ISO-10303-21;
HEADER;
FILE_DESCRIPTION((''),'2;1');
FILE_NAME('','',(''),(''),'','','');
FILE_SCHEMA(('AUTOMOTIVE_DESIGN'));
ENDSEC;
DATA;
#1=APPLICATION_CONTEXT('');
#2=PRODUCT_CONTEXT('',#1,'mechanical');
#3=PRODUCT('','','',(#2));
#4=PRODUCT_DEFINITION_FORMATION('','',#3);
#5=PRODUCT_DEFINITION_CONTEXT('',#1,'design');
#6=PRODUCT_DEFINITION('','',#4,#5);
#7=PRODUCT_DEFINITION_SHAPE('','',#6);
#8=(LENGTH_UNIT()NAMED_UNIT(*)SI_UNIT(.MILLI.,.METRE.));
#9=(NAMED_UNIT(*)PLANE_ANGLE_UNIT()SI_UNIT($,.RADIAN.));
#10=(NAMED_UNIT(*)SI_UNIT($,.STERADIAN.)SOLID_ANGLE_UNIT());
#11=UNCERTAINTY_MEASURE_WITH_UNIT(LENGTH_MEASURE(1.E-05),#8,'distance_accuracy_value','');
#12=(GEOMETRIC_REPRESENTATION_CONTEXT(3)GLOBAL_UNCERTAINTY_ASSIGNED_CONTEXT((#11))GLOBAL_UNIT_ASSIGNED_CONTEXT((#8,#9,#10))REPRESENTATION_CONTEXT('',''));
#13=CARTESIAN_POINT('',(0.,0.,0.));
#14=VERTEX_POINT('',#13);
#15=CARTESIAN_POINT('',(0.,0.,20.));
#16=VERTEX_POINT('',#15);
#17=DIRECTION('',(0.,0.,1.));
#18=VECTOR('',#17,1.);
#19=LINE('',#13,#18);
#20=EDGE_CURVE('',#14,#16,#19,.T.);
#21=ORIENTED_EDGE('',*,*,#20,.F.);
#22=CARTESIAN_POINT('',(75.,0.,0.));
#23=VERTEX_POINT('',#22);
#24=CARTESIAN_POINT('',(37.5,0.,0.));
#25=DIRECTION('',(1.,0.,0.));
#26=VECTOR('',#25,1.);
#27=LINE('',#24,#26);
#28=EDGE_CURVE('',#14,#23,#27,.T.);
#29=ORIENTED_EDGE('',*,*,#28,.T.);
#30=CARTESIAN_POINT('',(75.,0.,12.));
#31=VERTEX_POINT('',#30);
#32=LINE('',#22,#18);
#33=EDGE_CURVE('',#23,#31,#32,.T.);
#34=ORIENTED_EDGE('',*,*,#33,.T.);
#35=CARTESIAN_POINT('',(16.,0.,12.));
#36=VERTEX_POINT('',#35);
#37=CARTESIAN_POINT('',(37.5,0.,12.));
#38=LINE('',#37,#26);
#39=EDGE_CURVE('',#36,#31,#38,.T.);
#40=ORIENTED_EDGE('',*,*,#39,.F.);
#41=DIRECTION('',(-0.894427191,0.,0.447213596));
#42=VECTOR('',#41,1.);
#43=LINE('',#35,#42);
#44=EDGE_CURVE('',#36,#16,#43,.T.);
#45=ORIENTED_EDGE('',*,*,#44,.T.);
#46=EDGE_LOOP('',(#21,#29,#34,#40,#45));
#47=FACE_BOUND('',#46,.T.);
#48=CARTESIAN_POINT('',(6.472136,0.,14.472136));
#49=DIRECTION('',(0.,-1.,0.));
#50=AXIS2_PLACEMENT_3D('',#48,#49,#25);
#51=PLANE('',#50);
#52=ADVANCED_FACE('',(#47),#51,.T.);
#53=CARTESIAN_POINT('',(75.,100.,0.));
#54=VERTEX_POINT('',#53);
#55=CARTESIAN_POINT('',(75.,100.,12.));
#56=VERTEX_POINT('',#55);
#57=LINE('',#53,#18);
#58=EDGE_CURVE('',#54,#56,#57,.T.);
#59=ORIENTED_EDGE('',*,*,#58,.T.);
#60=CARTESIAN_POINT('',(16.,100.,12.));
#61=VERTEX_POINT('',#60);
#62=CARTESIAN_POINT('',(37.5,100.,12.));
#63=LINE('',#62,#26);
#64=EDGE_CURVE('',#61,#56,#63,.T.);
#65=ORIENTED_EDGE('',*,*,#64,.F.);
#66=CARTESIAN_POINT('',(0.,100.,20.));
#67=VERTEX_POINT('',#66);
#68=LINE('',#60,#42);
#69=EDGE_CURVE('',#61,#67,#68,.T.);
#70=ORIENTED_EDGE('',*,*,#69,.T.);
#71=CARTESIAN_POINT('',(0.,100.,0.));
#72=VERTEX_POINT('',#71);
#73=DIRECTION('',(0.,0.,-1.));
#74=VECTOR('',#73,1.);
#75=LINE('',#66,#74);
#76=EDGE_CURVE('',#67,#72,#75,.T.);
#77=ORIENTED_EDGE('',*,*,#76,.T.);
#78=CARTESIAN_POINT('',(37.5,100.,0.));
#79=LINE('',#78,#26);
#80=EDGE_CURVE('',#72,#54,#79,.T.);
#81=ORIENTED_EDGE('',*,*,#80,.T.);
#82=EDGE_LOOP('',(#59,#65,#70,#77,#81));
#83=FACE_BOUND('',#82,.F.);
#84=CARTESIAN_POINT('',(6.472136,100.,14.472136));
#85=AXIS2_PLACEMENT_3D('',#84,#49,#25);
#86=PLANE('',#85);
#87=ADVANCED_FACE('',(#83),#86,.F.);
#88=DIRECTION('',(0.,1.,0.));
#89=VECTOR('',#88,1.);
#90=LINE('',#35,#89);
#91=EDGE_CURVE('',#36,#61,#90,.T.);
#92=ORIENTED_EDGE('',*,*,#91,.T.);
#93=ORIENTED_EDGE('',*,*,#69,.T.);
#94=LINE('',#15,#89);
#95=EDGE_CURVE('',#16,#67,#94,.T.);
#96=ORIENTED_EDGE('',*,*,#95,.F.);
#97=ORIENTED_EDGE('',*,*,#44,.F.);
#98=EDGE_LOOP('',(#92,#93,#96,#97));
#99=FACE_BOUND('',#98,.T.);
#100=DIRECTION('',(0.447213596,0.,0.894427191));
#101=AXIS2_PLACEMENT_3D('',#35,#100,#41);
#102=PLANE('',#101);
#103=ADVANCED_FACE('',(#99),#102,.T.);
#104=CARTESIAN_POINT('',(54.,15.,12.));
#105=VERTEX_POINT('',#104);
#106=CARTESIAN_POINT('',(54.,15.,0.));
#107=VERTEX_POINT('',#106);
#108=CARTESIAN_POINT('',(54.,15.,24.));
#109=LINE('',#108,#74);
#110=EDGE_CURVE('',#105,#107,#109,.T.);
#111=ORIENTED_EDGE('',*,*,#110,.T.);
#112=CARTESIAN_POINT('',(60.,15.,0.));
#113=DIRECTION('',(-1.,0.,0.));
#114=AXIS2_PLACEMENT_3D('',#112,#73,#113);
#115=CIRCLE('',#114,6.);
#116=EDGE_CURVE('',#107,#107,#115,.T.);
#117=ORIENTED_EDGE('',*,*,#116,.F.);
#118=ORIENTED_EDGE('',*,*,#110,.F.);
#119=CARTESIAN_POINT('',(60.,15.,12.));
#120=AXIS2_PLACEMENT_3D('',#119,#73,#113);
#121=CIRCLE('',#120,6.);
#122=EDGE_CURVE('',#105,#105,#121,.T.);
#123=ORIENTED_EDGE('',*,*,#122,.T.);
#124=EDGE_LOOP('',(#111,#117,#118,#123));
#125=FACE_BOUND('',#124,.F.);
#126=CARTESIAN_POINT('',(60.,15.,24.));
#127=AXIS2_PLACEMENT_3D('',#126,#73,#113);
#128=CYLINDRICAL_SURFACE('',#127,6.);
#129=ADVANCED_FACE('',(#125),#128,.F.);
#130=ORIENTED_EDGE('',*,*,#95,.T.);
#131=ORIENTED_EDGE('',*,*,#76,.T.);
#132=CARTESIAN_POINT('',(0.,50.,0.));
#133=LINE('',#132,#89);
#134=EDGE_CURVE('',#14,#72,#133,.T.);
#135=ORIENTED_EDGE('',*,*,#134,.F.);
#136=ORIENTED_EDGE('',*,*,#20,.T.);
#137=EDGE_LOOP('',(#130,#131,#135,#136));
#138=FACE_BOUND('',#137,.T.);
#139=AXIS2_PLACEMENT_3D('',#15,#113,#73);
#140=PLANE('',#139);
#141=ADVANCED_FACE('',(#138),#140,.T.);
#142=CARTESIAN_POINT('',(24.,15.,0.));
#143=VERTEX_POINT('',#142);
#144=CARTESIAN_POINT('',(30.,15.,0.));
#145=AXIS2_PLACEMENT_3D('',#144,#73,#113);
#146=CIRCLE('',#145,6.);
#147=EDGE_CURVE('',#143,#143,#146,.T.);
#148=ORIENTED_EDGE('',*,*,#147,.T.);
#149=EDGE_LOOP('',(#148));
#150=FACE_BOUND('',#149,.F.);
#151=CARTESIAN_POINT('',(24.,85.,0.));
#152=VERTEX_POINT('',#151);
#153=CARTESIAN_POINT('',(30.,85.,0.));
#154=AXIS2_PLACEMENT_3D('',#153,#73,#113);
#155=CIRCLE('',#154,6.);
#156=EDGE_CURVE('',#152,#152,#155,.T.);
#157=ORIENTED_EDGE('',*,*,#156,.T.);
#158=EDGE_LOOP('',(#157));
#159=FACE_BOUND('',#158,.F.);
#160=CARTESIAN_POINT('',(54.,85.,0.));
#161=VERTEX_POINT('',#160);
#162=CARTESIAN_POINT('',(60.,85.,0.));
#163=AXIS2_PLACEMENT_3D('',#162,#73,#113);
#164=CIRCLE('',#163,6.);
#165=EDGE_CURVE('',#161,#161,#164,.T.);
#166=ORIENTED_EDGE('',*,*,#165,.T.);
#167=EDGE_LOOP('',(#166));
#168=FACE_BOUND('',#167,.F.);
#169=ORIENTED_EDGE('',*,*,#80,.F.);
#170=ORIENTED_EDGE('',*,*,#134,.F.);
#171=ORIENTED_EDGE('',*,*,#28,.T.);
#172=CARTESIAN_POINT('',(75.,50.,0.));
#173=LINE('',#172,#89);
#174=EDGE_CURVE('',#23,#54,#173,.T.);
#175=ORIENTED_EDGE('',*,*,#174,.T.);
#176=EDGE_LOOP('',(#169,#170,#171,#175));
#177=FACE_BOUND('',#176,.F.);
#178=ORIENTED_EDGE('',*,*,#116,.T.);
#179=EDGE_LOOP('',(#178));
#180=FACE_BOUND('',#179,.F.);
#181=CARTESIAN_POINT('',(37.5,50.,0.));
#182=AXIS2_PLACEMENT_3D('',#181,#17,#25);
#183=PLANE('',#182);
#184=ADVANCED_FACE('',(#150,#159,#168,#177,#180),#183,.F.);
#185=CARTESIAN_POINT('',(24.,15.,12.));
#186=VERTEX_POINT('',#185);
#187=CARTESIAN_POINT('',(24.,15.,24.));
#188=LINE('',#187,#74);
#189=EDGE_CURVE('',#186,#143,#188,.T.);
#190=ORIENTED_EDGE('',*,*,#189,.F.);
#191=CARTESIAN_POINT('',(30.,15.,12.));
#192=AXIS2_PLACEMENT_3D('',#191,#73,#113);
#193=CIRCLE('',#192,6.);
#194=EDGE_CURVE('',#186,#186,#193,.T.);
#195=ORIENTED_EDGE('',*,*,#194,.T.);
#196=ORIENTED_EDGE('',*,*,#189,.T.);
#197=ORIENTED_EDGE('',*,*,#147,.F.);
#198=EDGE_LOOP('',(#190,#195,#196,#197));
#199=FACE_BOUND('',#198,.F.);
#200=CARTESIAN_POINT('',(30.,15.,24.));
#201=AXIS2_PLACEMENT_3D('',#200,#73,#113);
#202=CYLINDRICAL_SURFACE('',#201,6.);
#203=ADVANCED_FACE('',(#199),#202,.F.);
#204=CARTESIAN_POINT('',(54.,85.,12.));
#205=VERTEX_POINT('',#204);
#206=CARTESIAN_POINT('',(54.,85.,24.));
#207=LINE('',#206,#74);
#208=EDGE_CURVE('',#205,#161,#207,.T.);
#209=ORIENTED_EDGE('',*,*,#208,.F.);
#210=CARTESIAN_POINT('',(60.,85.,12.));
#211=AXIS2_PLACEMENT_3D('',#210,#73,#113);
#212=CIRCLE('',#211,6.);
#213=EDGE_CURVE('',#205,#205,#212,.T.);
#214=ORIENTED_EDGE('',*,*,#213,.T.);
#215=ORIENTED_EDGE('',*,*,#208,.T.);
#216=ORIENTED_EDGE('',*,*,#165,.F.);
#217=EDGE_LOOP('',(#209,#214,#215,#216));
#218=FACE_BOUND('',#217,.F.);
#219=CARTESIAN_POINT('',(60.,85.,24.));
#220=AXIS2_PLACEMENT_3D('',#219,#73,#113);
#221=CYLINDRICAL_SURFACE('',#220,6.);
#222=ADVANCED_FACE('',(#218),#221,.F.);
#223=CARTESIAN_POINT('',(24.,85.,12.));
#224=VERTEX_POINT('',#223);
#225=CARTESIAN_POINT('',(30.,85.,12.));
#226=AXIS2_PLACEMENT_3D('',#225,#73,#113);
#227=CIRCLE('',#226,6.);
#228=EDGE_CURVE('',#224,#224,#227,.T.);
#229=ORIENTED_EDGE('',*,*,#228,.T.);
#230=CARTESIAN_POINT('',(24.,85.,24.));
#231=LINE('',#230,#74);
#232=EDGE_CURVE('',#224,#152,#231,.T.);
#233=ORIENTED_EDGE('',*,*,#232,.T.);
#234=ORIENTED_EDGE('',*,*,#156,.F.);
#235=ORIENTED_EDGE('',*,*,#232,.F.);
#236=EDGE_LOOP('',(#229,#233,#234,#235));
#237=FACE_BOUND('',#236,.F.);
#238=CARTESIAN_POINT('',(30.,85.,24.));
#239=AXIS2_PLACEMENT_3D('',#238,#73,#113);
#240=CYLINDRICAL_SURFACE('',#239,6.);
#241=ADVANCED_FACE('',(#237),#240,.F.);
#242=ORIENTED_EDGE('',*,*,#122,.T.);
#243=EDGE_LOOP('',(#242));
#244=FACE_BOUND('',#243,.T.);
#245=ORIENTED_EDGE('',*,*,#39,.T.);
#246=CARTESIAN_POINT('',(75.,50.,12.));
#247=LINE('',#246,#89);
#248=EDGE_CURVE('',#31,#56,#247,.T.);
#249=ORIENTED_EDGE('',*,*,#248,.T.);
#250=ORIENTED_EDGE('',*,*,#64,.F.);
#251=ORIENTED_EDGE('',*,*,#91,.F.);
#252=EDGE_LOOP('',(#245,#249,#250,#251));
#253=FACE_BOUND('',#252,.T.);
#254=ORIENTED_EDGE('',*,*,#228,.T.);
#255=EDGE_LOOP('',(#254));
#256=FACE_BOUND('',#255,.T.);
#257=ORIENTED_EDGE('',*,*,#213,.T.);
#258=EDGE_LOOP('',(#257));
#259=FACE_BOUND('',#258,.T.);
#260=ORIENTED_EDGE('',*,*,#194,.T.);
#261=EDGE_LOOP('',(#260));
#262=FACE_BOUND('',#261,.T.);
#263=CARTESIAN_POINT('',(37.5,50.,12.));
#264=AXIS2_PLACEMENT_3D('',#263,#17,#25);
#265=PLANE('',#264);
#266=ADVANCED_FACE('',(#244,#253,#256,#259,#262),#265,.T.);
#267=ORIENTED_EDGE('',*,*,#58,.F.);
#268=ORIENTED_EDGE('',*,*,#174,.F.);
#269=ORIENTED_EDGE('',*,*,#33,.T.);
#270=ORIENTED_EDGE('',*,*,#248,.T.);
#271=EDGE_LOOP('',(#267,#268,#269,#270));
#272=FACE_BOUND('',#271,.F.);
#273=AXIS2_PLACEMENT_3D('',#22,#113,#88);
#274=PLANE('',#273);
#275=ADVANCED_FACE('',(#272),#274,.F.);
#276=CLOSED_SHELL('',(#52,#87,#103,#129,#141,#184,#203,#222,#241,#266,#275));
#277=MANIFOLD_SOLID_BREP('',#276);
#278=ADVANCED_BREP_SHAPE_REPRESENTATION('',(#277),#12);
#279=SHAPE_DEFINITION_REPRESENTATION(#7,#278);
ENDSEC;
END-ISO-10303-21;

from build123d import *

# Parameters (mm, degrees)
F0_W     = 75
F0_H     = 100
F1_DEPTH = 12
F4_DEPTH = 100
F6_D     = 12
F6_DEPTH = 12


with BuildPart() as f1:
    # F0 (on Top) → F1 (new body)
    with BuildSketch(Plane.XY):
        with Locations((37.5, 50)):
            Rectangle(F0_W, F0_H)
    extrude(amount=F1_DEPTH)

    # F3 (on face) → F4 (join)
    with BuildSketch(Plane.XZ):
        Polygon((0, 20), (0, 12), (16, 12), align=None)
    extrude(amount=-F4_DEPTH)

    # F6
    with Locations(Plane.XY.offset(12)):
        with Locations((30, 15), (60, 15), (60, 85), (30, 85)):
            Hole(F6_D / 2, depth=F6_DEPTH)


solid = f1.part
